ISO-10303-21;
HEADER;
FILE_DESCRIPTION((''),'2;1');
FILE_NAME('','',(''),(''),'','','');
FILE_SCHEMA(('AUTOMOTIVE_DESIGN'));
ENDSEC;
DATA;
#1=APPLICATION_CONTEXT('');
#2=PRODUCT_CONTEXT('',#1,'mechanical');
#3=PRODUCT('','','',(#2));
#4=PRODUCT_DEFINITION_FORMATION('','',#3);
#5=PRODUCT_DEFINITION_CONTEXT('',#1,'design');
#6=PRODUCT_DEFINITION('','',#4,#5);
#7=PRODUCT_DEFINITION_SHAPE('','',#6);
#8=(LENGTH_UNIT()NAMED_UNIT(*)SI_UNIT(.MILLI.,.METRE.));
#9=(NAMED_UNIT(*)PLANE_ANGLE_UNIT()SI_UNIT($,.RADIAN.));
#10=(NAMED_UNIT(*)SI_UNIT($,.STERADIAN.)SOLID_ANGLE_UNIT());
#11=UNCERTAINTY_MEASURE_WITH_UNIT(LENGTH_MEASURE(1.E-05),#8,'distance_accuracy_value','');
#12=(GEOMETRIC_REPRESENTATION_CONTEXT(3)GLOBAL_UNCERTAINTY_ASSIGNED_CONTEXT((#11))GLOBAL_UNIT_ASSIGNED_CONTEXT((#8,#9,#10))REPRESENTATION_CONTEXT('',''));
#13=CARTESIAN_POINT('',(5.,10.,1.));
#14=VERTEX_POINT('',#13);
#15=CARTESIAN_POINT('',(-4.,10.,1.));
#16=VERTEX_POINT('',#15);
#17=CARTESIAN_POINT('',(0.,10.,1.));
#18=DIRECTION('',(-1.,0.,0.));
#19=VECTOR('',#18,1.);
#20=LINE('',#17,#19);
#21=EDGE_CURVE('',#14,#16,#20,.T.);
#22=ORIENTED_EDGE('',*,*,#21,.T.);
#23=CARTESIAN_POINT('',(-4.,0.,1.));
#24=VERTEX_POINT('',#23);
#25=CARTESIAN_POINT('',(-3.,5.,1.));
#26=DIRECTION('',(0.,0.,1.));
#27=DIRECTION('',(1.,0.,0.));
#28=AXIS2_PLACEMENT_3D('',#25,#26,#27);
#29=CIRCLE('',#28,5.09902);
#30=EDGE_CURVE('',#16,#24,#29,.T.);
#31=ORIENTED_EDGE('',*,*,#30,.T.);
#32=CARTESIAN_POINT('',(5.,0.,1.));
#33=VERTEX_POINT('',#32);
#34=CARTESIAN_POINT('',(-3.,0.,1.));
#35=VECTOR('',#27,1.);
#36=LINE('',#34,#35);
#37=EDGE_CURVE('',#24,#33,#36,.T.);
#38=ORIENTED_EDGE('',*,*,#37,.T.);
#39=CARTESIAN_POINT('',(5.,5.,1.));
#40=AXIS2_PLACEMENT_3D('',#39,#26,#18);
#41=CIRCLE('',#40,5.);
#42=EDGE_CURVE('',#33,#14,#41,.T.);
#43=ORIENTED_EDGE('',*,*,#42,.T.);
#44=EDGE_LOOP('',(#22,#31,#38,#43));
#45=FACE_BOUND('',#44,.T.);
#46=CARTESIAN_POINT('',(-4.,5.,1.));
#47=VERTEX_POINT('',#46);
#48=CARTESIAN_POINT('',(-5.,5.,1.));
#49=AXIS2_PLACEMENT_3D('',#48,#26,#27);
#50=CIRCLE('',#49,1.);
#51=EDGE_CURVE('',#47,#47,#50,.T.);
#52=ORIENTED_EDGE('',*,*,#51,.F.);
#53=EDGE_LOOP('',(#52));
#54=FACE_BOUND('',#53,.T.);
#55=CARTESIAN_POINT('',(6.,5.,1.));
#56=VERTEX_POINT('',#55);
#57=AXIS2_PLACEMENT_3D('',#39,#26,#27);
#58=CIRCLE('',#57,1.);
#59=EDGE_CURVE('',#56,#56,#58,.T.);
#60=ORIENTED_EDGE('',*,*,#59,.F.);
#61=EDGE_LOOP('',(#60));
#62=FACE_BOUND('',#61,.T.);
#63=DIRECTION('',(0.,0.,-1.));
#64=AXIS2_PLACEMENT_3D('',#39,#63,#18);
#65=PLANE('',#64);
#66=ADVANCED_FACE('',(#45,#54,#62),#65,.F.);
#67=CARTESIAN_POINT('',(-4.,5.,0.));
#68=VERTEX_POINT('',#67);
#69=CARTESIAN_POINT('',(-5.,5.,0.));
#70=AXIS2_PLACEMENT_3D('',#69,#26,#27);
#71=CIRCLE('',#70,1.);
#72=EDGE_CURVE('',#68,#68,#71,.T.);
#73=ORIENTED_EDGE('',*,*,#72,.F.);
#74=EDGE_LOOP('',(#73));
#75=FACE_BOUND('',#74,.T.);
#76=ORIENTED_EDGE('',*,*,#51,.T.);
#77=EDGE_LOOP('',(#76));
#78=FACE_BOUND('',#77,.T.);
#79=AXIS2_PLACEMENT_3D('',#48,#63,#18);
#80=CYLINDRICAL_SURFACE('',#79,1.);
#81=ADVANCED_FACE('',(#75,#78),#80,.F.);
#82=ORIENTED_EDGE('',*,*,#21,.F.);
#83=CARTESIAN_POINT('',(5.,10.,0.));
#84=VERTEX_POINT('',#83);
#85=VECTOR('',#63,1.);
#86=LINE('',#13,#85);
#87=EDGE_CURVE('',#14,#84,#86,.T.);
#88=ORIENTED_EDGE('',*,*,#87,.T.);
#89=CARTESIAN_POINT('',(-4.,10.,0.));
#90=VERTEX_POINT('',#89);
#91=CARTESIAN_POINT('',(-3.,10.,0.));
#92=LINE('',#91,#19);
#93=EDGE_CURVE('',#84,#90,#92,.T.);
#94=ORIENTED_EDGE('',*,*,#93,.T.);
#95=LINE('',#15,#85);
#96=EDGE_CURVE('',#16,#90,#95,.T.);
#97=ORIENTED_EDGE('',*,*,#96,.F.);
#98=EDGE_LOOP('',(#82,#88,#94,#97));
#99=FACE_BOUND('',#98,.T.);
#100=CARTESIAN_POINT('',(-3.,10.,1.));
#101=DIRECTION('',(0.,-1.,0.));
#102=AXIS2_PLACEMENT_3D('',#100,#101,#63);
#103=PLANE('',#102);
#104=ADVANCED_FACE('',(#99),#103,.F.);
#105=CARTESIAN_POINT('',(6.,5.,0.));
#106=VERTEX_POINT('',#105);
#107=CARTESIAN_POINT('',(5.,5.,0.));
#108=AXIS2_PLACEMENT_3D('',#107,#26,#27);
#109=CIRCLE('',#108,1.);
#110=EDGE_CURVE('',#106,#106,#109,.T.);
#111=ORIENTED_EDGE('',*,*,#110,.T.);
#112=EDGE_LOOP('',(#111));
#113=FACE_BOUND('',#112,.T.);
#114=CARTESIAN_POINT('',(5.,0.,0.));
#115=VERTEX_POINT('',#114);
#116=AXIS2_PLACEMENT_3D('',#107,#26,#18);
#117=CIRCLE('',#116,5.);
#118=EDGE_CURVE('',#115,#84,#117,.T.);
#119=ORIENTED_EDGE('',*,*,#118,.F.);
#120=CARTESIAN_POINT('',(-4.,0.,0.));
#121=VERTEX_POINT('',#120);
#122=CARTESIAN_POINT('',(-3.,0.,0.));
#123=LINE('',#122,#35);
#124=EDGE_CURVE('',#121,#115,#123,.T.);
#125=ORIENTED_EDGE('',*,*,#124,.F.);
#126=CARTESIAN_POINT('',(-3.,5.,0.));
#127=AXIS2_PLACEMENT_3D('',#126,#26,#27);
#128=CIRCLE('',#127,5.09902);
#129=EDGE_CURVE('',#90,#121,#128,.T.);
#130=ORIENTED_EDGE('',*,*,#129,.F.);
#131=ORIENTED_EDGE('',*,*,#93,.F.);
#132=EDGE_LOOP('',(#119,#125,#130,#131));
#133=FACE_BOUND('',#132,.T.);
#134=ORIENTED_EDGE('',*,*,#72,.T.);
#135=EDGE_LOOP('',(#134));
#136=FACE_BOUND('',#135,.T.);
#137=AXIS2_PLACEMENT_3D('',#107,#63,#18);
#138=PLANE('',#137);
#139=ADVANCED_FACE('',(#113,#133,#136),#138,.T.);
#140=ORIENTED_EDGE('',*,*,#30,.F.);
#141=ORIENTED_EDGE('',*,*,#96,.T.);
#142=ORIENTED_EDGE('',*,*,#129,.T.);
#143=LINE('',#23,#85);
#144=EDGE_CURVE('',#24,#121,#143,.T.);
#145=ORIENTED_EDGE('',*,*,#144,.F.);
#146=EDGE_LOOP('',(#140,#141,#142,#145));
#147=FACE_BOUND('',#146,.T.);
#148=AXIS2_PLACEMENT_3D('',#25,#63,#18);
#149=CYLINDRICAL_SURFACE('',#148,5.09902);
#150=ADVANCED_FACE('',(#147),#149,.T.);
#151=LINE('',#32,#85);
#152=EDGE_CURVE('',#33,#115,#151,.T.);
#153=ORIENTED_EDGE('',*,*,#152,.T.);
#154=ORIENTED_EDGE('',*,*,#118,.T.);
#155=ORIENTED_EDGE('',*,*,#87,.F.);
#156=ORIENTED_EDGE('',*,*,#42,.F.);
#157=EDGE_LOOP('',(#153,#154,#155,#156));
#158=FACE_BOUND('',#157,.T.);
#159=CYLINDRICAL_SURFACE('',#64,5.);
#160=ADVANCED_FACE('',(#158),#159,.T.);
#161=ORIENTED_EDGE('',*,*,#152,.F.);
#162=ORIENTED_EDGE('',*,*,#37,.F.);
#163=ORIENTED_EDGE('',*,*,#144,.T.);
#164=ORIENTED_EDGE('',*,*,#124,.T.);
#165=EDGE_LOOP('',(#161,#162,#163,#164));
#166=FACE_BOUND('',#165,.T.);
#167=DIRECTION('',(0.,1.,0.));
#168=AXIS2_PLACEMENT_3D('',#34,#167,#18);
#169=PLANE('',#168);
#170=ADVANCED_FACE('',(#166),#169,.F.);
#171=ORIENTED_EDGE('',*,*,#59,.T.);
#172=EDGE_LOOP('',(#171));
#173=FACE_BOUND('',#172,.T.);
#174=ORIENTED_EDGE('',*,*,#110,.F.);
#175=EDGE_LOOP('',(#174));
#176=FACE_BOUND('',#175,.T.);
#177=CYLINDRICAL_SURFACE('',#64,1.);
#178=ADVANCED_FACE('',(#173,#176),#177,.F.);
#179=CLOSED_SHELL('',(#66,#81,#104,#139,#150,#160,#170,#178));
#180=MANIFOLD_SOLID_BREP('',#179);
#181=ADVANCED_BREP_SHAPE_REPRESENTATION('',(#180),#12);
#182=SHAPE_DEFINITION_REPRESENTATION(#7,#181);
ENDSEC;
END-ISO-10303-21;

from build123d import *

# Parameters (mm, degrees)
SKETCH6_R           = 1
BOSS_EXTRUDE4_DEPTH = 1


with BuildPart() as part:
    # Sketch6 → Boss-Extrude4 (new body)
    with BuildSketch(Plane.XY):
        with BuildLine():
            Line((0, 10), (-3, 10))
            Line((-3, 10), (-4, 10))
            ThreePointArc((-4, 10), (-8.099019514, 5), (-4, 0))
            Line((-4, 0), (-3, 0))
            Line((-3, 0), (0, 0))
            Line((0, 0), (5, 0))
            ThreePointArc((5, 0), (10, 5), (5, 10))
            Line((5, 10), (0, 10))
        make_face()
        with Locations((5, 5)):
            Circle(SKETCH6_R, mode=Mode.SUBTRACT)
        with Locations((-5, 5)):
            Circle(SKETCH6_R, mode=Mode.SUBTRACT)
    extrude(amount=BOSS_EXTRUDE4_DEPTH)


solid = part.part
